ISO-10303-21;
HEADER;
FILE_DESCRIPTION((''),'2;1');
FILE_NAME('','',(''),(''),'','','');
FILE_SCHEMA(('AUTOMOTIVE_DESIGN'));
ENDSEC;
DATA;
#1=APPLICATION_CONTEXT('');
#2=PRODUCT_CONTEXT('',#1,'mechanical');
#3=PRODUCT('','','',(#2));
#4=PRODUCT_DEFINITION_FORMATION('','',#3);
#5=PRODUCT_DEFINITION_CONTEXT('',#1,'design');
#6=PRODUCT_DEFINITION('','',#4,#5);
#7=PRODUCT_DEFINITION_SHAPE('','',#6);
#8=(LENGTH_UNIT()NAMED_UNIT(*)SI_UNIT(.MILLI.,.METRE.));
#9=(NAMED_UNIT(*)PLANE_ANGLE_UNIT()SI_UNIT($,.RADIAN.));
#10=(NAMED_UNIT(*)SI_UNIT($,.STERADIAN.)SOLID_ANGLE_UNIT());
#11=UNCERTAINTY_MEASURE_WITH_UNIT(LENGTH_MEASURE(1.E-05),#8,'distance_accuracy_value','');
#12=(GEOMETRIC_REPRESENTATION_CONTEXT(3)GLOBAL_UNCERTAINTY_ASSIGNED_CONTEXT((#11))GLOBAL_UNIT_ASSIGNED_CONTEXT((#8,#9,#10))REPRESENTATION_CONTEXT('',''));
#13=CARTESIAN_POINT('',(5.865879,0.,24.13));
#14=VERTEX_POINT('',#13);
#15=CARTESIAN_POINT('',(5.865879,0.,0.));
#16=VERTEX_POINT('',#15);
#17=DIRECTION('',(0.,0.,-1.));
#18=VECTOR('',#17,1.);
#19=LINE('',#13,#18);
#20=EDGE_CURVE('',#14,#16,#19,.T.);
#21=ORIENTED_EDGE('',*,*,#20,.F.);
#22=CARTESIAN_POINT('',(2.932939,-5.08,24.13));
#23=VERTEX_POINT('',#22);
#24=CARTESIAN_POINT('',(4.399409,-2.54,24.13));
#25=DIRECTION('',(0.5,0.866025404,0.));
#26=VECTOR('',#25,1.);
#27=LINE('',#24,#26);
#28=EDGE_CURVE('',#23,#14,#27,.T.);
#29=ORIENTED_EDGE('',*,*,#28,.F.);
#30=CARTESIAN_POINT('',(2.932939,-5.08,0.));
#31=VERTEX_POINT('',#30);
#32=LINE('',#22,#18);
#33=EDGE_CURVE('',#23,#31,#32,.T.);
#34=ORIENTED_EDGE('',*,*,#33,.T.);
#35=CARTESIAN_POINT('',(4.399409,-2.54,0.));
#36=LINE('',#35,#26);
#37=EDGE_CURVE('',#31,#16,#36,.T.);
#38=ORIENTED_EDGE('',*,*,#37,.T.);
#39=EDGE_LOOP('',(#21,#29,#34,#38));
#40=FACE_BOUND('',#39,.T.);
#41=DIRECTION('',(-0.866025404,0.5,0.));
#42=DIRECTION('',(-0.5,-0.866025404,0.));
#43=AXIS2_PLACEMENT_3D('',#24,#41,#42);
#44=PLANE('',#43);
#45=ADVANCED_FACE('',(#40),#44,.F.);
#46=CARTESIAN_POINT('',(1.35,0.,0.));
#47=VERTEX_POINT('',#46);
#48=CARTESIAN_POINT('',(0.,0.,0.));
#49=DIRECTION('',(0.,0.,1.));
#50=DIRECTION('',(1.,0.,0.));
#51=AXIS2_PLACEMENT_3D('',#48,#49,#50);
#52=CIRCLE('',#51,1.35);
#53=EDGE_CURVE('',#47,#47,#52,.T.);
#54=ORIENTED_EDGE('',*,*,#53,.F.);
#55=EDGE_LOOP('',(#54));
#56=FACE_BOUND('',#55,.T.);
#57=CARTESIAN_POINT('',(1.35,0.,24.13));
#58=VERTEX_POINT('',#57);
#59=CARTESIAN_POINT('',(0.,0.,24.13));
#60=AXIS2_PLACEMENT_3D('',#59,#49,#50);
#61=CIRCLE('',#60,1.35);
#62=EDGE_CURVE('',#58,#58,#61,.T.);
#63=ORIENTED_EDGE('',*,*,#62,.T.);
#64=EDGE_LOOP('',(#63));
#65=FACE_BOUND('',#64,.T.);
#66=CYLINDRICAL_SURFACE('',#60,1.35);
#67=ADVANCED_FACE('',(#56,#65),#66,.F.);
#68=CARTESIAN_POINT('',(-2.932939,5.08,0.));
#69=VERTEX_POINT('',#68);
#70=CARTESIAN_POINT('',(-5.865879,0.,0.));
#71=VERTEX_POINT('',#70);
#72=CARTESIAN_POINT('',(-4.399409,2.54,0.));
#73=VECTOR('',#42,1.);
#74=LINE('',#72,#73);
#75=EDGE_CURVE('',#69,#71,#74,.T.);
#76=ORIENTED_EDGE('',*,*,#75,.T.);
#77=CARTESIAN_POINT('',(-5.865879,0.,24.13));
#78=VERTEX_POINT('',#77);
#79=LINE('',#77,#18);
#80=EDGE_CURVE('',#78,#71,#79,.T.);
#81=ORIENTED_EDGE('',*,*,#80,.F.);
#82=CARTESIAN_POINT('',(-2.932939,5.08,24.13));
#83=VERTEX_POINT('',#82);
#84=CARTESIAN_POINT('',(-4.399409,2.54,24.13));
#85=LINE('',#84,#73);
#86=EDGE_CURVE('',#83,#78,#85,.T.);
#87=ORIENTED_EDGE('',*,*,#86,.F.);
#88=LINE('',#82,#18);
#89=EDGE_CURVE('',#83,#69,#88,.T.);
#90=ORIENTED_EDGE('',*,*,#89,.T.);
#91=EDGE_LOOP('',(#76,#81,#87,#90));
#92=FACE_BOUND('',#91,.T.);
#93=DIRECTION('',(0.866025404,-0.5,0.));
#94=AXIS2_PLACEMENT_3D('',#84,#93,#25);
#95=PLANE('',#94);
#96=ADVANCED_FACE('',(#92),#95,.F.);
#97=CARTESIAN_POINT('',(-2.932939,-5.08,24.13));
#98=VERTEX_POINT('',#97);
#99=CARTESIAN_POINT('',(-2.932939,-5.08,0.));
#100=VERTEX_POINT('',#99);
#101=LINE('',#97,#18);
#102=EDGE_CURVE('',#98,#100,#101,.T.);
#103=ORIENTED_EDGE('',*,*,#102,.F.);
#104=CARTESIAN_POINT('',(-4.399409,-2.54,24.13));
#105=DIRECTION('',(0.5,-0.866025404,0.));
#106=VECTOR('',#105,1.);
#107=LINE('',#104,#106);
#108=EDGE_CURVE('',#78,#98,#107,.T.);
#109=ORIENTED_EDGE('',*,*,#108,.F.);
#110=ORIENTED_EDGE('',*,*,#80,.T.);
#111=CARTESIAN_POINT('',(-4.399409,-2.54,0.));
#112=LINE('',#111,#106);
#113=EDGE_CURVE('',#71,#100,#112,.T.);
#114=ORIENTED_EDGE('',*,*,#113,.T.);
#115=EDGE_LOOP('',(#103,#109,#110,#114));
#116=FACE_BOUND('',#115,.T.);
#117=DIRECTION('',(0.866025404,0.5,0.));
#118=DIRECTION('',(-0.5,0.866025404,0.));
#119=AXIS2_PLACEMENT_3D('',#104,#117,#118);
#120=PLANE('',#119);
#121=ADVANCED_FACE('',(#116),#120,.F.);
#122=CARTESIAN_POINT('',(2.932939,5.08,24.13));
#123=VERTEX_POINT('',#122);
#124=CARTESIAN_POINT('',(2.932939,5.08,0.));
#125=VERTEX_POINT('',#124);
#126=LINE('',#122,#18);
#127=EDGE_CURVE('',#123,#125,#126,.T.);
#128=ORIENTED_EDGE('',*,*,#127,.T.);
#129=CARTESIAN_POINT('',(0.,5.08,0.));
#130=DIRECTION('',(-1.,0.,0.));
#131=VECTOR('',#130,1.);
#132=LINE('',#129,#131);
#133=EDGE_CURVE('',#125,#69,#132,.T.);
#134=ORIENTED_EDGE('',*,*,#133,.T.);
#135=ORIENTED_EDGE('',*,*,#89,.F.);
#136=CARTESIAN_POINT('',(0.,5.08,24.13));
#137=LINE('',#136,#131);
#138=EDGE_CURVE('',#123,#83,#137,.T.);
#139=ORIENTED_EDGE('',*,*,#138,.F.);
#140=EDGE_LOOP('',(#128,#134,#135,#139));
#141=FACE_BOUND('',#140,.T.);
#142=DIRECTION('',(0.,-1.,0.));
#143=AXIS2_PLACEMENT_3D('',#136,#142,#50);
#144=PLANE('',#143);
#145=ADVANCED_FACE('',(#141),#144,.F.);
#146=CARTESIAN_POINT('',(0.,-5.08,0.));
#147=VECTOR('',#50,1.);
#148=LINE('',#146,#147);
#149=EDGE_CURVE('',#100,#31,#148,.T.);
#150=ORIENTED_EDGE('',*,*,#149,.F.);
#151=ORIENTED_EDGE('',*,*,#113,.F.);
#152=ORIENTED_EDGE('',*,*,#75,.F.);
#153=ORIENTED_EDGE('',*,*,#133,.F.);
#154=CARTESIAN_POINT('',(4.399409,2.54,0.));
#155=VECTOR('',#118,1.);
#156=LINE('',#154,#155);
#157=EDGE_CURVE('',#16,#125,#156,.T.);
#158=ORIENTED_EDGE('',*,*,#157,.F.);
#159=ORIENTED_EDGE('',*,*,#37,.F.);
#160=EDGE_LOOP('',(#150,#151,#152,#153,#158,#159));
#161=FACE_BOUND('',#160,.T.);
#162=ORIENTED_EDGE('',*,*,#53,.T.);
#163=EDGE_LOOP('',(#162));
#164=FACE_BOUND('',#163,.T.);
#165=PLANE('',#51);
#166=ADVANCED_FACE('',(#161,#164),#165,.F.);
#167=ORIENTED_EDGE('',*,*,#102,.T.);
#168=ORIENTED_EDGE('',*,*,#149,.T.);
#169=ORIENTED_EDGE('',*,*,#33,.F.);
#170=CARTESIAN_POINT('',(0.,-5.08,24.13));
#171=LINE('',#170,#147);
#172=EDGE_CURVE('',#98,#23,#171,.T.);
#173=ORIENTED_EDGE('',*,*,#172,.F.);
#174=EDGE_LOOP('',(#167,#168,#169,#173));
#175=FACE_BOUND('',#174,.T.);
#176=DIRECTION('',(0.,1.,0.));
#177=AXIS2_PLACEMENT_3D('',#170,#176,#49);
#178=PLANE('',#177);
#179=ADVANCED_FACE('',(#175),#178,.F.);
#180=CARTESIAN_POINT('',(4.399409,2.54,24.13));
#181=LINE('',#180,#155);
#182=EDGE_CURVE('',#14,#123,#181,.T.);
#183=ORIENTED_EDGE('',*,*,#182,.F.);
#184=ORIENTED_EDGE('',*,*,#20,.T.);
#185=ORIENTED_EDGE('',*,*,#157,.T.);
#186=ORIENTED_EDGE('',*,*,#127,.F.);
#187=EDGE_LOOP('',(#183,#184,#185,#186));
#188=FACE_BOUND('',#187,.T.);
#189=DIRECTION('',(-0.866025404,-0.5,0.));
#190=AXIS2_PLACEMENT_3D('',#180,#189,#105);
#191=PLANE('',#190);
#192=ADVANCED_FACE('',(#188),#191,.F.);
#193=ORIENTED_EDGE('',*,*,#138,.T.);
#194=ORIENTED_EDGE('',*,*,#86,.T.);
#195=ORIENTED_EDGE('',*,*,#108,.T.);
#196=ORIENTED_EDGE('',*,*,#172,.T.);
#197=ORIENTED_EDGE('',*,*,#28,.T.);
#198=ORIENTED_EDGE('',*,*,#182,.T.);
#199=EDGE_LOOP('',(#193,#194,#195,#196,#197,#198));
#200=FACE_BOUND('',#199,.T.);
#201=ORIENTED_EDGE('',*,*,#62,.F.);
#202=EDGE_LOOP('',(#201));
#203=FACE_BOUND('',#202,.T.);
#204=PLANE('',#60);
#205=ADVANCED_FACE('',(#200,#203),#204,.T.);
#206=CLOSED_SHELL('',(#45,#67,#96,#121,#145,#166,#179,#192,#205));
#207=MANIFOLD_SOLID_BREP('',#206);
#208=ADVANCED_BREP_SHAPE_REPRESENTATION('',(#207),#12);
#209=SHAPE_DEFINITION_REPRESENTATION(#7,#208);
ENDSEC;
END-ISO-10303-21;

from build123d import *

# Parameters (mm, degrees)
SKETCH1_R             = 5.08
BOSS_EXTRUDE1_DEPTH   = 24.13
M3X0_5_TAPPED_HOLE1_D = 2.7


with BuildPart() as part:
    # Sketch1 → Boss-Extrude1 (new body)
    with BuildSketch(Plane.XY):
        Circle(SKETCH1_R)
        with BuildLine():
            Line((-2.932939367, 5.08), (-4.399409037, 2.540000024))
            ThreePointArc((-4.399409037, 2.540000024), (-2.539999988, 4.399409058), (0, 5.08))
            Line((0, 5.08), (-2.932939367, 5.08))
        make_face()
        with BuildLine():
            Line((2.932939367, 5.08), (0, 5.08))
            ThreePointArc((0, 5.08), (2.539999994, 4.399409055), (4.399409045, 2.540000012))
            Line((4.399409045, 2.540000012), (2.932939367, 5.08))
        make_face()
        with BuildLine():
            ThreePointArc((5.08, 0), (4.906903196, -1.314800756), (4.399409045, -2.540000012))
            Line((4.399409045, -2.540000012), (5.865878735, 0))
            Line((5.865878735, 0), (4.399409045, 2.540000012))
            ThreePointArc((4.399409045, 2.540000012), (4.906903196, 1.314800756), (5.08, 0))
        make_face()
        with BuildLine():
            ThreePointArc((4.399409045, -2.540000012), (2.539999994, -4.399409055), (0, -5.08))
            Line((0, -5.08), (2.932939367, -5.08))
            Line((2.932939367, -5.08), (4.399409045, -2.540000012))
        make_face()
        with BuildLine():
            Line((-4.399409037, 2.540000024), (-5.865878735, 0))
            Line((-5.865878735, 0), (-4.399409045, -2.540000012))
            ThreePointArc((-4.399409045, -2.540000012), (-5.08, 7e-09), (-4.399409037, 2.540000024))
        make_face()
        with BuildLine():
            ThreePointArc((0, -5.08), (-2.539999994, -4.399409055), (-4.399409045, -2.540000012))
            Line((-4.399409045, -2.540000012), (-2.932939367, -5.08))
            Line((-2.932939367, -5.08), (0, -5.08))
        make_face()
    extrude(amount=BOSS_EXTRUDE1_DEPTH)

    # M3x0.5 Tapped Hole1 (through all)
    with Locations(Plane.XY.offset(24.13)):
        with Locations((0, 0)):
            Hole(M3X0_5_TAPPED_HOLE1_D / 2)


solid = part.part
